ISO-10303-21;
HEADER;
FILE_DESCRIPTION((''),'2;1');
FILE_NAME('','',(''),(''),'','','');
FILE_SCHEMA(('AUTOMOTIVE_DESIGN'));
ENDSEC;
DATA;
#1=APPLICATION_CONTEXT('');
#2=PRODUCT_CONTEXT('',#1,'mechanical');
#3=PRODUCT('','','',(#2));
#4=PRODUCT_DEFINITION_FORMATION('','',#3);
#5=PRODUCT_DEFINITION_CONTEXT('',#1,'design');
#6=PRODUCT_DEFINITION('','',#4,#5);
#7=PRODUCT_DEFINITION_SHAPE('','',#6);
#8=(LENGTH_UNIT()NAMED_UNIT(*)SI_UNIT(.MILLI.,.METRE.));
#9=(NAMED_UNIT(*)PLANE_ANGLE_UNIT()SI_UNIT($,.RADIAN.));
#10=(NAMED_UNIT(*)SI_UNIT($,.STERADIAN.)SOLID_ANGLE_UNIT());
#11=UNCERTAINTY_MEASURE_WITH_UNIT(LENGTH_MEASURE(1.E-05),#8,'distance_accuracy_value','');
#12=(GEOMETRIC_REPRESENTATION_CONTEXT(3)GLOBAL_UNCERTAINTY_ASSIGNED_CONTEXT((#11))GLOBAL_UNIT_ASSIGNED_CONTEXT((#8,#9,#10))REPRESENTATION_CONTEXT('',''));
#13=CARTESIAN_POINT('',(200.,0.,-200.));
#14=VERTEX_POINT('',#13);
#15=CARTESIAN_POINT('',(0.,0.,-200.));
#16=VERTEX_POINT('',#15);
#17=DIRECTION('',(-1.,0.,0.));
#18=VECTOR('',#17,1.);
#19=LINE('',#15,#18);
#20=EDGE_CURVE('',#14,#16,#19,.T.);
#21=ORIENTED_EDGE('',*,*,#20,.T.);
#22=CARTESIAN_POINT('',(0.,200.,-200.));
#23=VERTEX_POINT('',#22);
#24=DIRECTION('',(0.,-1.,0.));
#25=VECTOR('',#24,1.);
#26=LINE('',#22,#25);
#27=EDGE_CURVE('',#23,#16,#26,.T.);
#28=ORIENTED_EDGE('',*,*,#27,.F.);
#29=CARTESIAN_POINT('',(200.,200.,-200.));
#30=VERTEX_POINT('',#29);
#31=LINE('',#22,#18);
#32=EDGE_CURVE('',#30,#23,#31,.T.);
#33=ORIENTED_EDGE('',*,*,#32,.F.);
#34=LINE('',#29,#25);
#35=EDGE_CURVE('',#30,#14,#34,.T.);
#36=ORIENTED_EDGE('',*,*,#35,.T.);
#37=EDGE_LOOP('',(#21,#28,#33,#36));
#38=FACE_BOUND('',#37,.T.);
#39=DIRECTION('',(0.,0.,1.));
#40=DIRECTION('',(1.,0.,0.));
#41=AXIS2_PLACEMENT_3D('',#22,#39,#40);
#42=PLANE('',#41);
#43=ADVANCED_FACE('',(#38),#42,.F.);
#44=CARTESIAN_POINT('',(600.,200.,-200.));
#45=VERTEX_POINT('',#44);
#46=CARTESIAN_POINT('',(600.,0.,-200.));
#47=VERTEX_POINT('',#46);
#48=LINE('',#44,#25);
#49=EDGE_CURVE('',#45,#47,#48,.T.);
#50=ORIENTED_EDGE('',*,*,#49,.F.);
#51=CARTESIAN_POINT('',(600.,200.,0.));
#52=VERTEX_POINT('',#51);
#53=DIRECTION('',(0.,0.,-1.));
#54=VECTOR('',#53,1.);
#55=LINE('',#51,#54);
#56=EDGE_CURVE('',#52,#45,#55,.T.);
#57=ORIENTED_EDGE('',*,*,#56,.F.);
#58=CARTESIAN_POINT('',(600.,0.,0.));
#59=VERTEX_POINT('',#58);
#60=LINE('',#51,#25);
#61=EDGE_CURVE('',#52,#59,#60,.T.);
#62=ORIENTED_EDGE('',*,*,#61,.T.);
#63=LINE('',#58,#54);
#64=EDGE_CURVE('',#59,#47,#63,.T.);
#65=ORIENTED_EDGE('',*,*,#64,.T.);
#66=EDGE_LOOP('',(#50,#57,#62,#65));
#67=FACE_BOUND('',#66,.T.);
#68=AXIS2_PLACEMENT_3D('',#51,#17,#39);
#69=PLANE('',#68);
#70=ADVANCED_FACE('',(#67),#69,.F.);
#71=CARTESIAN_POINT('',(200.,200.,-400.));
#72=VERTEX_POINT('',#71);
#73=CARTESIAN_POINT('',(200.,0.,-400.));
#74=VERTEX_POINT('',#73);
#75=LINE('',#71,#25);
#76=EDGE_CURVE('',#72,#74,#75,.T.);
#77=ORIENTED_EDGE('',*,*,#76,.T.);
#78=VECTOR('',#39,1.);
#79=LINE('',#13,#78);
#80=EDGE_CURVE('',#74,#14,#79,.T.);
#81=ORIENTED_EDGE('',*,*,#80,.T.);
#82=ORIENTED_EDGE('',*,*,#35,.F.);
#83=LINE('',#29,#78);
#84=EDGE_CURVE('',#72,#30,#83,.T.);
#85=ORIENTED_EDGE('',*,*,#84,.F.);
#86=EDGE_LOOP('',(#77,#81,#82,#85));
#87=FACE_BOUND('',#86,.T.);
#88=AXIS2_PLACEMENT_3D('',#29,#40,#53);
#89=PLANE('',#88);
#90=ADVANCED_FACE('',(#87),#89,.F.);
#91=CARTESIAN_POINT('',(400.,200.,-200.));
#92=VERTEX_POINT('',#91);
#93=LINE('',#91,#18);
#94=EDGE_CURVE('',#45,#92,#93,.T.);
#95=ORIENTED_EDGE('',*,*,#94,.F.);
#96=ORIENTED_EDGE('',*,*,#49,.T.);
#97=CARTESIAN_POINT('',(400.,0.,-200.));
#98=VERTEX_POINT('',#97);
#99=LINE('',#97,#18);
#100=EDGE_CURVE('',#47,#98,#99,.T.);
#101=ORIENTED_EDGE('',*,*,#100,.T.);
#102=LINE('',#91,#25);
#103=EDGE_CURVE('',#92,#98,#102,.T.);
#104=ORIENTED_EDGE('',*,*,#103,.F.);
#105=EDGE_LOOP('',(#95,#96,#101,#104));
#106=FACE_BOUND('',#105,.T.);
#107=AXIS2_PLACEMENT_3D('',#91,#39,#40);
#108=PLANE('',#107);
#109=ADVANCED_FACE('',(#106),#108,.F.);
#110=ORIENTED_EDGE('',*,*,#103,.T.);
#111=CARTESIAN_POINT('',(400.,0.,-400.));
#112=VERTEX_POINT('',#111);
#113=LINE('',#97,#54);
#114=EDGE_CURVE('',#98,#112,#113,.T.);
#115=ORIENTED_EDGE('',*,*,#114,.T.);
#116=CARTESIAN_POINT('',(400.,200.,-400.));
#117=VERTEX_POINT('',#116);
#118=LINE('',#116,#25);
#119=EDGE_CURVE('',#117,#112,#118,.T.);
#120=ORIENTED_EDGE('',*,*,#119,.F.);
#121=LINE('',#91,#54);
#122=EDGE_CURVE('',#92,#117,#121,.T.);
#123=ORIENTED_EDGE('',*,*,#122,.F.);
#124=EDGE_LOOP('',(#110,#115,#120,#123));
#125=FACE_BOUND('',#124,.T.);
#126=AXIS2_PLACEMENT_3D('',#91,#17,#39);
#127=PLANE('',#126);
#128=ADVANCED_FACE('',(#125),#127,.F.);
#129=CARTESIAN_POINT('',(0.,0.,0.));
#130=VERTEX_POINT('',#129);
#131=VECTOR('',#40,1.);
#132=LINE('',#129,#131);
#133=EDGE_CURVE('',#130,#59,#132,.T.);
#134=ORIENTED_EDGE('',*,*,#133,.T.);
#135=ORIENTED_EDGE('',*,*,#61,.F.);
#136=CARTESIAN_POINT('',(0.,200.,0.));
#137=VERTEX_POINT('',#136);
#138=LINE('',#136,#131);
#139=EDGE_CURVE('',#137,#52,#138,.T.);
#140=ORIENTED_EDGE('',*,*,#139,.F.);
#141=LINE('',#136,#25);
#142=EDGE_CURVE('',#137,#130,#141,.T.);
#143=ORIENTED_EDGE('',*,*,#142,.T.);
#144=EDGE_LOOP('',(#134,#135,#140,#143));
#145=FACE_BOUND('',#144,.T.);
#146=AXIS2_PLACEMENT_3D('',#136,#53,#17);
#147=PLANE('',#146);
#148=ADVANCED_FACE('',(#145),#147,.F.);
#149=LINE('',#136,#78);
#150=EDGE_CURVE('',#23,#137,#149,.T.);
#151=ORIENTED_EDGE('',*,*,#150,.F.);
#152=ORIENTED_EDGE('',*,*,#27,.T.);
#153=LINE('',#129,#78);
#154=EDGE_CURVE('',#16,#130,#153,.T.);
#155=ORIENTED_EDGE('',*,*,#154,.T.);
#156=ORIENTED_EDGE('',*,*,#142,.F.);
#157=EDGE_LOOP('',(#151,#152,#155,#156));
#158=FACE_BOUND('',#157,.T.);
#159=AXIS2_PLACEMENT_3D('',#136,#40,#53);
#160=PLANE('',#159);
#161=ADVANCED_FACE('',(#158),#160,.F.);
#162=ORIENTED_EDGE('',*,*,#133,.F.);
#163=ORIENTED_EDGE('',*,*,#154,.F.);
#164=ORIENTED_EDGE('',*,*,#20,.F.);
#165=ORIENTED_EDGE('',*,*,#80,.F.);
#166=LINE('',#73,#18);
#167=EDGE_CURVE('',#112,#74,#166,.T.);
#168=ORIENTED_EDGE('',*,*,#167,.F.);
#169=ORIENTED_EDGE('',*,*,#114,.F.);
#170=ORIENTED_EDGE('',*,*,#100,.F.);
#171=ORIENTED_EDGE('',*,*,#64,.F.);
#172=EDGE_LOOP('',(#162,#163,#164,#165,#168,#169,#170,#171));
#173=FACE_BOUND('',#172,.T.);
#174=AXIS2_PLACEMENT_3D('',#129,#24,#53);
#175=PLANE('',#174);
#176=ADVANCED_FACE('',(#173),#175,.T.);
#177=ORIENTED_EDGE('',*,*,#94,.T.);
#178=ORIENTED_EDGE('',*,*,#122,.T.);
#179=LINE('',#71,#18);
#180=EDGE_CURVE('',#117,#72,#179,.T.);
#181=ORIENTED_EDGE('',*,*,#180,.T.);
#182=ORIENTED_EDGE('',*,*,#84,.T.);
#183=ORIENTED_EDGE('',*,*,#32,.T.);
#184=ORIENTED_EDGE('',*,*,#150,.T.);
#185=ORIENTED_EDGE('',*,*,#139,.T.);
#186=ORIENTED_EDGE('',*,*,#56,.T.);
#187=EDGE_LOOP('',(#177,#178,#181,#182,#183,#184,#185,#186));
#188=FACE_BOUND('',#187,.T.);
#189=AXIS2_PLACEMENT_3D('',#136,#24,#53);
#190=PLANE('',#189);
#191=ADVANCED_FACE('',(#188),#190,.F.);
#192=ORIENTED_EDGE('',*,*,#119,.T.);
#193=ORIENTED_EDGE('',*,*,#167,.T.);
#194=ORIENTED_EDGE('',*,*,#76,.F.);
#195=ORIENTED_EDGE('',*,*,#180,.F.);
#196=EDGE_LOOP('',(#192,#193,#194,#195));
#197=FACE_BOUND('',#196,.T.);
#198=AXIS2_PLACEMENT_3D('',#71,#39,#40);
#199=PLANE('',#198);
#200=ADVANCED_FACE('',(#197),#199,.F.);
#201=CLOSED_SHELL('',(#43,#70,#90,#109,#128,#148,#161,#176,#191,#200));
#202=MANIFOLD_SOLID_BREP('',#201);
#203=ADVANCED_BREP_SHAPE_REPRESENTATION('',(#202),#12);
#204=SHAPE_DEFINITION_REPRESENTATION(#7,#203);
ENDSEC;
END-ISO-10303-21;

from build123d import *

# Parameters (mm, degrees)
SALIENTE_EXTRUIR1_DEPTH = 200


with BuildPart() as part:
    # Croquis1 → Saliente-Extruir1 (new body)
    with BuildSketch(Plane(origin=(0, 0, 0), x_dir=(1, 0, 0), z_dir=(0, 1, 0))):
        Polygon((400, 200), (600, 200), (600, 0), (0, 0), (0, 200), (200, 200), (200, 400), (400, 400), align=None)
    extrude(amount=SALIENTE_EXTRUIR1_DEPTH)


solid = part.part
